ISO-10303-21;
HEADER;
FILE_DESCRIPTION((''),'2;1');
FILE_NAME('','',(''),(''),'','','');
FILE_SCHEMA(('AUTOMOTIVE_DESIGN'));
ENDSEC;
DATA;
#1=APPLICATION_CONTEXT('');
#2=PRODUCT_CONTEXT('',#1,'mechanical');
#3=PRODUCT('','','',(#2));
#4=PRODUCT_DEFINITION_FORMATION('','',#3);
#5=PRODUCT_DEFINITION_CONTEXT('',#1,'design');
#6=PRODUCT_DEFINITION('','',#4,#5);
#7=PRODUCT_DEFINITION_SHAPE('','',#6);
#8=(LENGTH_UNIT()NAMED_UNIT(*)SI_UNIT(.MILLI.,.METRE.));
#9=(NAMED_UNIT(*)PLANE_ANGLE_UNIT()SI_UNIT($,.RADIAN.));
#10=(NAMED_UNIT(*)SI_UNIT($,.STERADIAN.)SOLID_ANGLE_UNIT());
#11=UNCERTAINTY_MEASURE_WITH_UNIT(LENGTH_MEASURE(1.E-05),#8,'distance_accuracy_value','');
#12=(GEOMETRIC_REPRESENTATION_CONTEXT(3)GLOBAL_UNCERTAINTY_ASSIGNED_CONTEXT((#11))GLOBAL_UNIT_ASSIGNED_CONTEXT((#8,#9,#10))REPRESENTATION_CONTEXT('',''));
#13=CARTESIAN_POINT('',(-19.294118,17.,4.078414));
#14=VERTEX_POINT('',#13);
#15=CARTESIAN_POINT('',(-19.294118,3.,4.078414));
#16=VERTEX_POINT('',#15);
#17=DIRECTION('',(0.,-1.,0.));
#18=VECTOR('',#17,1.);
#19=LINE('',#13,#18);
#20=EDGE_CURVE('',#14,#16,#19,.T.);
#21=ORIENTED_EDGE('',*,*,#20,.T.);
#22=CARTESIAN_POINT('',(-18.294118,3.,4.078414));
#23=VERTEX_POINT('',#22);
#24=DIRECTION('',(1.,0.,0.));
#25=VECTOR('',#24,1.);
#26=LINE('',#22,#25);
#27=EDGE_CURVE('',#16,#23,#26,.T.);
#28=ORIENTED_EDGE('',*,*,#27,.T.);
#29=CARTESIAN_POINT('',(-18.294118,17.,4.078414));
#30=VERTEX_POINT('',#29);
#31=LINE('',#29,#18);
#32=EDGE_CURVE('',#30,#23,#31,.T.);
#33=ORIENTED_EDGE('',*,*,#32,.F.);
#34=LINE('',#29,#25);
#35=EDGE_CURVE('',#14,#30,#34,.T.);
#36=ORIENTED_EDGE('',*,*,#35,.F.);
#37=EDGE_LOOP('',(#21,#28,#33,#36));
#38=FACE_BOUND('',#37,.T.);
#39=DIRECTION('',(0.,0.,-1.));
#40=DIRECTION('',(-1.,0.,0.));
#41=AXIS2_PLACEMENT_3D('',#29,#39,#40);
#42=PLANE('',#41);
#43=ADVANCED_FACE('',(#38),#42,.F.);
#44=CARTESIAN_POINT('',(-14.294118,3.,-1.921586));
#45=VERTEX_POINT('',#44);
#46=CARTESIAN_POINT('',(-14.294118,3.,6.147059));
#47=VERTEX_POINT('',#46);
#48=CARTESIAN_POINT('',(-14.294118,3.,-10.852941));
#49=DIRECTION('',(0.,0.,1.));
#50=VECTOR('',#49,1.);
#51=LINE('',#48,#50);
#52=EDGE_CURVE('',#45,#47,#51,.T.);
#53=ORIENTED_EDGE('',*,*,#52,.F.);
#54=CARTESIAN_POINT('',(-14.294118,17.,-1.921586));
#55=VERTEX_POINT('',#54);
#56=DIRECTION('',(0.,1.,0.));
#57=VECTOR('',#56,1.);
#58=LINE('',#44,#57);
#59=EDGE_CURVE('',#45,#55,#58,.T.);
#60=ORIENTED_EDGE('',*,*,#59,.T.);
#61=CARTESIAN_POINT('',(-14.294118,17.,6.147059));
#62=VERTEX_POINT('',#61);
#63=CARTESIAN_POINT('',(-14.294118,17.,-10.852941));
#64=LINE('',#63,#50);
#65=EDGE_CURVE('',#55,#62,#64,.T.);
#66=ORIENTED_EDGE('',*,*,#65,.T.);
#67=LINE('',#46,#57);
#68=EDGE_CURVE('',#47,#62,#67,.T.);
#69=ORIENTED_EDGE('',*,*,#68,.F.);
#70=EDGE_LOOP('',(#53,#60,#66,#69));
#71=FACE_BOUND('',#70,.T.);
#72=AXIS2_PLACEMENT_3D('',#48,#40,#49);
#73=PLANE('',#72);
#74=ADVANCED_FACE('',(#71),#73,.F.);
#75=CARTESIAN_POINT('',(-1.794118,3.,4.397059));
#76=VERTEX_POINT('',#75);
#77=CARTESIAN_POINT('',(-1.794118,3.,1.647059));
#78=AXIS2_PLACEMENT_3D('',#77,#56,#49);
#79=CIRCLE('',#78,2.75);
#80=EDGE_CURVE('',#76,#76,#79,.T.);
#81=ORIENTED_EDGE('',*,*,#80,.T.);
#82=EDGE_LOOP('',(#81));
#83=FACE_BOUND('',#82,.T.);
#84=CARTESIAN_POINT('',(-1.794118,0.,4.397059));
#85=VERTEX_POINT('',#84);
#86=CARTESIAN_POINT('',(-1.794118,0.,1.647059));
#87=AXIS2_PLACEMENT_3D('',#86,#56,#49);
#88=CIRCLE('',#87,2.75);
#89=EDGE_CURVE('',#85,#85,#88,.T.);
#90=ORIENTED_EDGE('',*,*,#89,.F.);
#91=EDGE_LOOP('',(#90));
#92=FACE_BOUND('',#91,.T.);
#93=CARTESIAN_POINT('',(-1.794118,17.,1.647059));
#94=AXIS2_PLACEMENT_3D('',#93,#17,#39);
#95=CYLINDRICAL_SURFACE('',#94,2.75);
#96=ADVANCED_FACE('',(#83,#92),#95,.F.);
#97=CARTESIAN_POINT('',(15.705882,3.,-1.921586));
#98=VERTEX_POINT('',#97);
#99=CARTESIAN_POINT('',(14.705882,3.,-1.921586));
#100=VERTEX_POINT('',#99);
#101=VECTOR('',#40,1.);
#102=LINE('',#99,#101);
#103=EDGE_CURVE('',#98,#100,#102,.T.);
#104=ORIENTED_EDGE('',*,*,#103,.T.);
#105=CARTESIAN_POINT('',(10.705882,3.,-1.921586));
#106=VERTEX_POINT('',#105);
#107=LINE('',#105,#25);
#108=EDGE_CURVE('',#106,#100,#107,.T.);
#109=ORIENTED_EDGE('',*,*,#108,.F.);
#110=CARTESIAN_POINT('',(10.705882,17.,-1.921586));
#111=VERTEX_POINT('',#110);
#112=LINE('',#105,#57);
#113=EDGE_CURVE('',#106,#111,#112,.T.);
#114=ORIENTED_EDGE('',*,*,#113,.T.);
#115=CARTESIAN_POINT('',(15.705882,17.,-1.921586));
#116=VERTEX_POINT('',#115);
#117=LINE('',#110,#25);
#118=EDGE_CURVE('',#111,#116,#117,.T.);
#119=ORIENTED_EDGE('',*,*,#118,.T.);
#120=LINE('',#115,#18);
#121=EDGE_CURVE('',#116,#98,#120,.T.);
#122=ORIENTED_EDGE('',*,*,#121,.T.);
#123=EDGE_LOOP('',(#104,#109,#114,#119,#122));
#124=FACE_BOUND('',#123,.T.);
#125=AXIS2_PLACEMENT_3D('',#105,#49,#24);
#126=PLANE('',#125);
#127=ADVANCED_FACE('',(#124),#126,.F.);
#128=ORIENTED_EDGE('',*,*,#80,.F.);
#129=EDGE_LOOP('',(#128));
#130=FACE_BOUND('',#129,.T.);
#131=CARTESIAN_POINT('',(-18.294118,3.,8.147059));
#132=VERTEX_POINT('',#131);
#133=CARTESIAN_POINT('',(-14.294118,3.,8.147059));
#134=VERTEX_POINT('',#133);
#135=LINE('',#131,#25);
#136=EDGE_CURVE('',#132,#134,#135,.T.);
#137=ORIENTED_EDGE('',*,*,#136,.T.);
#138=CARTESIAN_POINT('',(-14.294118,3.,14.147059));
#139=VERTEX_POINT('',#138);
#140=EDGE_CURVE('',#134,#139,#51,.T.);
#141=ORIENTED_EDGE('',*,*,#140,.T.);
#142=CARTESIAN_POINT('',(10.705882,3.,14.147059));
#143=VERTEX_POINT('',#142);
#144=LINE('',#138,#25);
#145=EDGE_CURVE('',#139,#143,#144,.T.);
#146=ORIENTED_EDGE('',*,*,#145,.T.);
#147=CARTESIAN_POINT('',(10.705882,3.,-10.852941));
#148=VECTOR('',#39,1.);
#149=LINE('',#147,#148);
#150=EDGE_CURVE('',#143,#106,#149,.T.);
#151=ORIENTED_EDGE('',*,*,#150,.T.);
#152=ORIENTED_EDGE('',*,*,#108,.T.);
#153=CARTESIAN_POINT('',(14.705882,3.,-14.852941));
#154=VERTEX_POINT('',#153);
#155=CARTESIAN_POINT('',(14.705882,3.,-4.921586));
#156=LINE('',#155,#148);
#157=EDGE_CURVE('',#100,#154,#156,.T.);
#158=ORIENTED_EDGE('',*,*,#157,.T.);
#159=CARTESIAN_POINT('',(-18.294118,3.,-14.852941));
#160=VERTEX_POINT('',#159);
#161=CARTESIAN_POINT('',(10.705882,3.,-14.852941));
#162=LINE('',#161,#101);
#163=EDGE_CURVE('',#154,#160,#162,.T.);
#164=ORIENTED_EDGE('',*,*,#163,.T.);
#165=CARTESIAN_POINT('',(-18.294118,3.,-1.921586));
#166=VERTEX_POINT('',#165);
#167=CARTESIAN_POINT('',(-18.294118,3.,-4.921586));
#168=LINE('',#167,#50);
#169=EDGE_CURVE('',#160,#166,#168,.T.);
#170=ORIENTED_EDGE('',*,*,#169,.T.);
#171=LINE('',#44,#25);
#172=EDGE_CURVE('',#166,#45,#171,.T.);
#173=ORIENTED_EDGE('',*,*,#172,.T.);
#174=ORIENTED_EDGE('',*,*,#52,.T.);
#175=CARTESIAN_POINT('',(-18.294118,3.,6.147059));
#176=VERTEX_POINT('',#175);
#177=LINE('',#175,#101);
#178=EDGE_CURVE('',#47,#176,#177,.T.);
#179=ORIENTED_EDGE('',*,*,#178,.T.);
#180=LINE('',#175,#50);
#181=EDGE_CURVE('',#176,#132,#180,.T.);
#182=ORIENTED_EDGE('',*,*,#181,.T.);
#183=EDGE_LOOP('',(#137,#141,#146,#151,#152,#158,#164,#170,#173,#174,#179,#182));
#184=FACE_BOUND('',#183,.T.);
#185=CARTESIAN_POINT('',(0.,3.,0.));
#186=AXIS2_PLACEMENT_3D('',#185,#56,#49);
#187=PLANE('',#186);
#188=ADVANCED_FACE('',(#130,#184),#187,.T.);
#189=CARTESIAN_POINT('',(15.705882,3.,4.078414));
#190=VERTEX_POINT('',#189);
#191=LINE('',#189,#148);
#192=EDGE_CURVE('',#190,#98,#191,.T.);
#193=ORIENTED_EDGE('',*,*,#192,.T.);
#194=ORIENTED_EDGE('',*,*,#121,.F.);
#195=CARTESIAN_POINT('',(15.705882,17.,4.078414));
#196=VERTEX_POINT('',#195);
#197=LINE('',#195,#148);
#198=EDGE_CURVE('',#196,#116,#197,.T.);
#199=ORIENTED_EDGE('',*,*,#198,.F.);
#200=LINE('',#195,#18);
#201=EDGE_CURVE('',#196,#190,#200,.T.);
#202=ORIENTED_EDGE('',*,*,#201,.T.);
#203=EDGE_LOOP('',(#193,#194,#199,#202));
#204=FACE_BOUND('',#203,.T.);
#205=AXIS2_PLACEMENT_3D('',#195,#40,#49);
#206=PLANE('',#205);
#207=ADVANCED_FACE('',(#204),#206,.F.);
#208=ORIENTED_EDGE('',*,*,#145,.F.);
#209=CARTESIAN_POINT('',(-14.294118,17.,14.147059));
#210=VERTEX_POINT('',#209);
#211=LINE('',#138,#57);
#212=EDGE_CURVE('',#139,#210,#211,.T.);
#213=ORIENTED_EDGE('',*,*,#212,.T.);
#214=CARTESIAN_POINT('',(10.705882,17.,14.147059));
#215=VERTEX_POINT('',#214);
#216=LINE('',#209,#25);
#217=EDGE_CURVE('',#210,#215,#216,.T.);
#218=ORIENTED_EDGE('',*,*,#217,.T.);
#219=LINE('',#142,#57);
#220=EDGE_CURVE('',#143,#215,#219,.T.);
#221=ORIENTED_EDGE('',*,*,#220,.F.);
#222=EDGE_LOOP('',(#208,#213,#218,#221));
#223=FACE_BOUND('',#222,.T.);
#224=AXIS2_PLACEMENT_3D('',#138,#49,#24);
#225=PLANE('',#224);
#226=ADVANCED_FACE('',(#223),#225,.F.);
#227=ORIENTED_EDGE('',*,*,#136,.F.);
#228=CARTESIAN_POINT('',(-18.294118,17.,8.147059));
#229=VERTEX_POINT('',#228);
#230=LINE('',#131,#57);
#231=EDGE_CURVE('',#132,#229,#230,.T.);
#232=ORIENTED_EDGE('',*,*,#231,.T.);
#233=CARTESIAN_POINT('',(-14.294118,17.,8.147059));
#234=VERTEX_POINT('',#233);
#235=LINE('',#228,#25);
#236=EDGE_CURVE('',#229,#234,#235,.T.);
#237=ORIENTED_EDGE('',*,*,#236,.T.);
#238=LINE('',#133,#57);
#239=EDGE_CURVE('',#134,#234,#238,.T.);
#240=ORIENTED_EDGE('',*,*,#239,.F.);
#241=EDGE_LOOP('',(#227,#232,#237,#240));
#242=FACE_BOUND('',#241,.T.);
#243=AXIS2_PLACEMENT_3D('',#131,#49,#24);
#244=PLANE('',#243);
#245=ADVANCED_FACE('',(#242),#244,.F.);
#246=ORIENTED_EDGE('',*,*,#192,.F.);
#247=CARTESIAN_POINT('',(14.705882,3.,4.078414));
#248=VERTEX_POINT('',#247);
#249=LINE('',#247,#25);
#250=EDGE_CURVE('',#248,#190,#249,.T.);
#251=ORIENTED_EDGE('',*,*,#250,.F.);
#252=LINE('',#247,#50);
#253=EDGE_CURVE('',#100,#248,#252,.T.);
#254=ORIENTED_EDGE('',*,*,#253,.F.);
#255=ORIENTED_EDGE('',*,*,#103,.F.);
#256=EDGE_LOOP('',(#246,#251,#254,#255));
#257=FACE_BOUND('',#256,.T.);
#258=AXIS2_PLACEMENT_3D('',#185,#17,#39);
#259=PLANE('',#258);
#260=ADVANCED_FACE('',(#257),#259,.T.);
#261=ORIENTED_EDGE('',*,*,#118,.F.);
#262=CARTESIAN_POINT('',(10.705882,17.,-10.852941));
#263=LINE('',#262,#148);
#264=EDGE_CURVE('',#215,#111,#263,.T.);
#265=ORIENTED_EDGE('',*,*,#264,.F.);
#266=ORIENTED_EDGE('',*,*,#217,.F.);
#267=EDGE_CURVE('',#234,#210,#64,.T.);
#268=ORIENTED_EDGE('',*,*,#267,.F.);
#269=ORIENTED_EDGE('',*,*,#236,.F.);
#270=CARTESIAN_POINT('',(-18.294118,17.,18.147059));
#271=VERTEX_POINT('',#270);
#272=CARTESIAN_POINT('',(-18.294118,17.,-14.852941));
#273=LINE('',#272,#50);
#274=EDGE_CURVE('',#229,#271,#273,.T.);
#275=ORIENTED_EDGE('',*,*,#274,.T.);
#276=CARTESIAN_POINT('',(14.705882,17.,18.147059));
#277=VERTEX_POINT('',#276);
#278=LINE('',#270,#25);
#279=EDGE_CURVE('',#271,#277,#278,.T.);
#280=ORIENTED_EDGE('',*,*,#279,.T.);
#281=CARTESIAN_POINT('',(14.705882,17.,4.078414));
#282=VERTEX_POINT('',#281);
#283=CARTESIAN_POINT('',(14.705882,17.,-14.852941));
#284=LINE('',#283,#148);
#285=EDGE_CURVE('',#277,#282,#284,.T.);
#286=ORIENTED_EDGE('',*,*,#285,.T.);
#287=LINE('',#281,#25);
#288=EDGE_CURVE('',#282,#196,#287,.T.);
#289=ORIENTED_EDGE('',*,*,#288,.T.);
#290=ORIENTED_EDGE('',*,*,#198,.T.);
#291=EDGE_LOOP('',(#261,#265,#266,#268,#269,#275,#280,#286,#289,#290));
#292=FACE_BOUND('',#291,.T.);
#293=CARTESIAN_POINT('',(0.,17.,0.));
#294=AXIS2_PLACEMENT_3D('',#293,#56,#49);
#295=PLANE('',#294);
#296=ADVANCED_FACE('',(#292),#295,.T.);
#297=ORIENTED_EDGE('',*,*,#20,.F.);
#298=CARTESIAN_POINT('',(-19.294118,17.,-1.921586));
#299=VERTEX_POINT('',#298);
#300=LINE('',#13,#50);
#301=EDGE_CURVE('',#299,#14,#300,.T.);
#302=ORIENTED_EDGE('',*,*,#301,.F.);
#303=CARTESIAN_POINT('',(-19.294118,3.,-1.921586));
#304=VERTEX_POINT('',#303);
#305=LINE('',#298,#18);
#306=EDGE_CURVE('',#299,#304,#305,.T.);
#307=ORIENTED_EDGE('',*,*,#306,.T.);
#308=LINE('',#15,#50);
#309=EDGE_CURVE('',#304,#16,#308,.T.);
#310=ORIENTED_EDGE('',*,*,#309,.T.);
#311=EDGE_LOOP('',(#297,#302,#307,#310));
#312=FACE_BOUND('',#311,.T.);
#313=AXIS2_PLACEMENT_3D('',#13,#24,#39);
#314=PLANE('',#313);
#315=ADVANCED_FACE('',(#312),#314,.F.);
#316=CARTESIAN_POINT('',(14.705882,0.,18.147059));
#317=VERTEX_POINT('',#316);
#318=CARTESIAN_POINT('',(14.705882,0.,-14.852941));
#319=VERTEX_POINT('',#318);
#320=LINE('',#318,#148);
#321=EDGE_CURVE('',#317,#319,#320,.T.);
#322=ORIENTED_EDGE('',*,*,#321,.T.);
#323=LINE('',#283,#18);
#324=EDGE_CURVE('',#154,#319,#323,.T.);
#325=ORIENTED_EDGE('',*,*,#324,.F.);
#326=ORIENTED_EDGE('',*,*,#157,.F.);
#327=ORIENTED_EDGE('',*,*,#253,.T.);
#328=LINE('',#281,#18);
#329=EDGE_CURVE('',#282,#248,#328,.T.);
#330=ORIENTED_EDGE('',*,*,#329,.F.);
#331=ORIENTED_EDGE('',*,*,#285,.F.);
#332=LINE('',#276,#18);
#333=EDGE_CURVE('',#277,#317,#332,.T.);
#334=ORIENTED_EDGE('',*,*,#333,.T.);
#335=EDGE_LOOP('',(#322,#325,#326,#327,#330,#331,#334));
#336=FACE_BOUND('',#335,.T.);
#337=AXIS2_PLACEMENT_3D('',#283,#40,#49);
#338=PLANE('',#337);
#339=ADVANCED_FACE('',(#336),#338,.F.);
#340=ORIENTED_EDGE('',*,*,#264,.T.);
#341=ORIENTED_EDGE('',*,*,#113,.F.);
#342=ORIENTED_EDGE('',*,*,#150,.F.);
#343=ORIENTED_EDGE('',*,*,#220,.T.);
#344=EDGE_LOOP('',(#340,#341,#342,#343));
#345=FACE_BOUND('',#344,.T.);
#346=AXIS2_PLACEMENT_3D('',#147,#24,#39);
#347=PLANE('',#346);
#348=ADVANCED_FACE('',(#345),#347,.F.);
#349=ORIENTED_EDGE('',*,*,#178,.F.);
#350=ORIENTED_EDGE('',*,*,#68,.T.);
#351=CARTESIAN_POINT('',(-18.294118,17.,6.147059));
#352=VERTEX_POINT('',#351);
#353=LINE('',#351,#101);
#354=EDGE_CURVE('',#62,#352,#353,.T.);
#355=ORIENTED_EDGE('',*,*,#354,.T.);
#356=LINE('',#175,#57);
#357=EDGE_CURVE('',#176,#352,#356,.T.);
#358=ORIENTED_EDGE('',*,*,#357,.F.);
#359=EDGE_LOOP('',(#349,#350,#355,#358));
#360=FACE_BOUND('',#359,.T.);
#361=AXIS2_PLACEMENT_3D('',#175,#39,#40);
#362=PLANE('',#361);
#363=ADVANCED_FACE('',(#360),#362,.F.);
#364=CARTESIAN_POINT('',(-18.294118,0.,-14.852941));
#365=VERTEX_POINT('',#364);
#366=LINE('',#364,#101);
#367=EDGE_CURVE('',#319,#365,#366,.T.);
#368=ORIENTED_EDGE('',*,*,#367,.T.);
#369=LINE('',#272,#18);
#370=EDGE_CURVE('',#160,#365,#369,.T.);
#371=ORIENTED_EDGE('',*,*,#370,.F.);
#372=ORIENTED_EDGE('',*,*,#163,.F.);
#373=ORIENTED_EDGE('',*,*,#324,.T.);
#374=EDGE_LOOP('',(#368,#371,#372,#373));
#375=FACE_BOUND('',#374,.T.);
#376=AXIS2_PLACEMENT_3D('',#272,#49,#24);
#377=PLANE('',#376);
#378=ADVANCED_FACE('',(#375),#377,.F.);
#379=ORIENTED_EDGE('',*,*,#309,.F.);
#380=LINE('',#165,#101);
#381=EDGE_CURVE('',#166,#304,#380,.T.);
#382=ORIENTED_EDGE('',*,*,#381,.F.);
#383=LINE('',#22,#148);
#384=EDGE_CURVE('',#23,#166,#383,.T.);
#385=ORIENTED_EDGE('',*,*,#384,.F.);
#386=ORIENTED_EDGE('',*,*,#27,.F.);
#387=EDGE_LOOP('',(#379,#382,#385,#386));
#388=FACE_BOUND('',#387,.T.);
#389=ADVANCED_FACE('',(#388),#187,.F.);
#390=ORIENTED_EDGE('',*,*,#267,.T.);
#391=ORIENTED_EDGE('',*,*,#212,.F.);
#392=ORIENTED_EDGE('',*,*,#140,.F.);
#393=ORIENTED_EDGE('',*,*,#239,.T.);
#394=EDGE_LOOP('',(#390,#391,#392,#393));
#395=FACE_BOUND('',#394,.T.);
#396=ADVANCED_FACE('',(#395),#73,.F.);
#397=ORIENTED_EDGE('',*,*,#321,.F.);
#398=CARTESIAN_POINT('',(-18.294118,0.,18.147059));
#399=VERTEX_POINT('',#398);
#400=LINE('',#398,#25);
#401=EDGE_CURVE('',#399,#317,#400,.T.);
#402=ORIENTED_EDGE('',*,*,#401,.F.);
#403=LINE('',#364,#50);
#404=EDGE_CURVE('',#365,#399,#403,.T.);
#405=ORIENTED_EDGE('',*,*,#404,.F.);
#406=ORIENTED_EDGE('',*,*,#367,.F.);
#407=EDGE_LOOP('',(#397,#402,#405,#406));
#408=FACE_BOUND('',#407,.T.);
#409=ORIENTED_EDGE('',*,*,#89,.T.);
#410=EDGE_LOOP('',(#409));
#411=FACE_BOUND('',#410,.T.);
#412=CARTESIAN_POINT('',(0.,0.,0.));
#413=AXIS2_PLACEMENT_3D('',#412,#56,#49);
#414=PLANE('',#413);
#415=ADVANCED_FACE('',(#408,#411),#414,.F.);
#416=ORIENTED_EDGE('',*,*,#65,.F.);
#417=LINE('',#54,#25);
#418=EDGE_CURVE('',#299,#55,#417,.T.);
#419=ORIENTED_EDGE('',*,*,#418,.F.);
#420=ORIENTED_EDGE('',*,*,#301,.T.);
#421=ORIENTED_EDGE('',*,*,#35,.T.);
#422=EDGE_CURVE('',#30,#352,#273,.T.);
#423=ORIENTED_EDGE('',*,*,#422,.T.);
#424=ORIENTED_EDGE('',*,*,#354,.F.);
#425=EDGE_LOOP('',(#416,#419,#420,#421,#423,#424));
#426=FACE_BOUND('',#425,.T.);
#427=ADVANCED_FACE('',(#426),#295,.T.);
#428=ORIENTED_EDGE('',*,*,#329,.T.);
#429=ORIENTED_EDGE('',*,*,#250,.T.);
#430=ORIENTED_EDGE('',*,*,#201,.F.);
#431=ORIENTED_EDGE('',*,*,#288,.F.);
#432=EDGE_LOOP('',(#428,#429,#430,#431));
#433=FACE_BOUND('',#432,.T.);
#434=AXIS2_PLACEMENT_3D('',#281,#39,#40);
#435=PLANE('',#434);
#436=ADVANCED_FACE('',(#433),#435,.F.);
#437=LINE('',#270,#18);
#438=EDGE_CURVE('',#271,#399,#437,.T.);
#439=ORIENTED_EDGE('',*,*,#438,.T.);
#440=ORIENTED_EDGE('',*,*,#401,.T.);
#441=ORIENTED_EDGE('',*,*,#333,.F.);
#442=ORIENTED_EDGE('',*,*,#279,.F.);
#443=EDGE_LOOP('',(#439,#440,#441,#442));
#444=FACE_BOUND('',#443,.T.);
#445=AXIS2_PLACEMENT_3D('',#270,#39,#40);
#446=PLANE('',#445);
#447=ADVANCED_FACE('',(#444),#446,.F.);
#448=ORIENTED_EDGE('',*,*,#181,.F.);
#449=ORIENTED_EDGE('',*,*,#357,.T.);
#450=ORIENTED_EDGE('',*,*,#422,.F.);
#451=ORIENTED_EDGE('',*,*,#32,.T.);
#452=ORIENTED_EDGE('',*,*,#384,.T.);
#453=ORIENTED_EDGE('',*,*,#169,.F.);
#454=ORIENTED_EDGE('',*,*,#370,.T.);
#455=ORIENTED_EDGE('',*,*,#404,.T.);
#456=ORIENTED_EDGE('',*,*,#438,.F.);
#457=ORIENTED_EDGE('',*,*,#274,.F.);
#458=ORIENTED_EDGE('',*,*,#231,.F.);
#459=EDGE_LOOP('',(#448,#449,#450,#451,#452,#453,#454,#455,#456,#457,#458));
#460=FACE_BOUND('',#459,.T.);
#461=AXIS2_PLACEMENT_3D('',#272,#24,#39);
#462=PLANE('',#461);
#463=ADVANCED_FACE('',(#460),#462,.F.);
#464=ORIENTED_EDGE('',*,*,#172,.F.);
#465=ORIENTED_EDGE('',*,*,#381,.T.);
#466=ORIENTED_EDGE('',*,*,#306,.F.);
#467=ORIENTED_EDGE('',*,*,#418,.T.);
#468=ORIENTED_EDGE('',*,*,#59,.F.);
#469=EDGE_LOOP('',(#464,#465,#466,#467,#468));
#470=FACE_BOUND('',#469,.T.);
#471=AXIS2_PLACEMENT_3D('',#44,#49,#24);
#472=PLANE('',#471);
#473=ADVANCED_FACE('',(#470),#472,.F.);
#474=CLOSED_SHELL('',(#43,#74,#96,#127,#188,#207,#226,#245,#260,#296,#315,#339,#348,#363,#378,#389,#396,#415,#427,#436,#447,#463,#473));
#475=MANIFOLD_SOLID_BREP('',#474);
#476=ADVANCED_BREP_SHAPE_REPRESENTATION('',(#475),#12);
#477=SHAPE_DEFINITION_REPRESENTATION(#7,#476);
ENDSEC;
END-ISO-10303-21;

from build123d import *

# Parameters (mm, degrees)
SKETCH1_W           = 33
SKETCH1_H           = 33
SKETCH1_R           = 2.75
BOSS_EXTRUDE1_DEPTH = 17
SKETCH2_W           = 25
SKETCH2_H           = 25
CUT_EXTRUDE2_DEPTH  = 14
SKETCH3_W           = 4
SKETCH3_H           = 3
CUT_EXTRUDE3_DEPTH  = 14
SKETCH4_W           = 15.227626713
SKETCH4_H           = 4
CUT_EXTRUDE4_DEPTH  = 14
SKETCH5_W           = 4
SKETCH5_H           = 9.93135505
CUT_EXTRUDE5_DEPTH  = 14
SKETCH6_W           = 27.732245768
SKETCH6_H           = 12.796931656
CUT_EXTRUDE6_DEPTH  = 14
SKETCH7_W           = 1
SKETCH7_H           = 6
BOSS_EXTRUDE2_DEPTH = 14
SKETCH8_W           = 4
SKETCH8_H           = 2
CUT_EXTRUDE7_DEPTH  = 14


with BuildPart() as part:
    # Sketch1 → Boss-Extrude1 (new body)
    with BuildSketch(Plane(origin=(0, 0, 0), x_dir=(1, 0, 0), z_dir=(0, 1, 0))):
        with Locations((-1.794117647, -1.647058824)):
            Rectangle(SKETCH1_W, SKETCH1_H)
        with Locations(Location((-1.794117647, -1.647058824, 0), (0, 0, 270))):
            Circle(SKETCH1_R, mode=Mode.SUBTRACT)
    extrude(amount=BOSS_EXTRUDE1_DEPTH)

    # Sketch2 → Cut-Extrude2 (cut)
    with BuildSketch(Plane(origin=(0, 17, 0), x_dir=(1, 0, 0), z_dir=(0, 1, 0))):
        with Locations((-1.794117647, -1.647058824)):
            Rectangle(SKETCH2_W, SKETCH2_H)
    extrude(amount=-CUT_EXTRUDE2_DEPTH, mode=Mode.SUBTRACT)

    # Sketch3 → Cut-Extrude3 (cut)
    with BuildSketch(Plane(origin=(0, 17, 0), x_dir=(1, 0, 0), z_dir=(0, 1, 0))):
        with Locations((12.705882353, 3.421586126)):
            Rectangle(SKETCH3_W, SKETCH3_H)
        with Locations((-16.294117647, 3.421586126)):
            Rectangle(SKETCH3_W, SKETCH3_H)
    extrude(amount=-CUT_EXTRUDE3_DEPTH, mode=Mode.SUBTRACT)

    # Sketch4 → Cut-Extrude4 (cut)
    with BuildSketch(Plane(origin=(0, 17, 0), x_dir=(1, 0, 0), z_dir=(0, 1, 0))):
        with Locations((3.092068996, 12.852941176)):
            Rectangle(SKETCH4_W, SKETCH4_H)
    extrude(amount=-CUT_EXTRUDE4_DEPTH, mode=Mode.SUBTRACT)

    # Sketch5 → Cut-Extrude5 (cut)
    with BuildSketch(Plane(origin=(0, 17, 0), x_dir=(1, 0, 0), z_dir=(0, 1, 0))):
        with Locations((12.705882353, 9.887263651)):
            Rectangle(SKETCH5_W, SKETCH5_H)
    extrude(amount=-CUT_EXTRUDE5_DEPTH, mode=Mode.SUBTRACT)

    # Sketch6 → Cut-Extrude6 (cut)
    with BuildSketch(Plane(origin=(0, 17, 0), x_dir=(1, 0, 0), z_dir=(0, 1, 0))):
        with Locations((-12.170590875, 9.919039286)):
            Rectangle(SKETCH6_W, SKETCH6_H)
    extrude(amount=-CUT_EXTRUDE6_DEPTH, mode=Mode.SUBTRACT)

    # Sketch7 → Boss-Extrude2 (add)
    with BuildSketch(Plane(origin=(0, 3, 0), x_dir=(1, 0, 0), z_dir=(0, 1, 0))):
        with Locations((15.205882353, -1.078413874)):
            Rectangle(SKETCH7_W, SKETCH7_H)
        with Locations((-18.794117647, -1.078413874)):
            Rectangle(SKETCH7_W, SKETCH7_H)
    extrude(amount=BOSS_EXTRUDE2_DEPTH)

    # Sketch8 → Cut-Extrude7 (cut)
    with BuildSketch(Plane(origin=(0, 17, 0), x_dir=(1, 0, 0), z_dir=(0, 1, 0))):
        with Locations((-16.294117647, -7.147058824)):
            Rectangle(SKETCH8_W, SKETCH8_H)
    extrude(amount=-CUT_EXTRUDE7_DEPTH, mode=Mode.SUBTRACT)


solid = part.part
